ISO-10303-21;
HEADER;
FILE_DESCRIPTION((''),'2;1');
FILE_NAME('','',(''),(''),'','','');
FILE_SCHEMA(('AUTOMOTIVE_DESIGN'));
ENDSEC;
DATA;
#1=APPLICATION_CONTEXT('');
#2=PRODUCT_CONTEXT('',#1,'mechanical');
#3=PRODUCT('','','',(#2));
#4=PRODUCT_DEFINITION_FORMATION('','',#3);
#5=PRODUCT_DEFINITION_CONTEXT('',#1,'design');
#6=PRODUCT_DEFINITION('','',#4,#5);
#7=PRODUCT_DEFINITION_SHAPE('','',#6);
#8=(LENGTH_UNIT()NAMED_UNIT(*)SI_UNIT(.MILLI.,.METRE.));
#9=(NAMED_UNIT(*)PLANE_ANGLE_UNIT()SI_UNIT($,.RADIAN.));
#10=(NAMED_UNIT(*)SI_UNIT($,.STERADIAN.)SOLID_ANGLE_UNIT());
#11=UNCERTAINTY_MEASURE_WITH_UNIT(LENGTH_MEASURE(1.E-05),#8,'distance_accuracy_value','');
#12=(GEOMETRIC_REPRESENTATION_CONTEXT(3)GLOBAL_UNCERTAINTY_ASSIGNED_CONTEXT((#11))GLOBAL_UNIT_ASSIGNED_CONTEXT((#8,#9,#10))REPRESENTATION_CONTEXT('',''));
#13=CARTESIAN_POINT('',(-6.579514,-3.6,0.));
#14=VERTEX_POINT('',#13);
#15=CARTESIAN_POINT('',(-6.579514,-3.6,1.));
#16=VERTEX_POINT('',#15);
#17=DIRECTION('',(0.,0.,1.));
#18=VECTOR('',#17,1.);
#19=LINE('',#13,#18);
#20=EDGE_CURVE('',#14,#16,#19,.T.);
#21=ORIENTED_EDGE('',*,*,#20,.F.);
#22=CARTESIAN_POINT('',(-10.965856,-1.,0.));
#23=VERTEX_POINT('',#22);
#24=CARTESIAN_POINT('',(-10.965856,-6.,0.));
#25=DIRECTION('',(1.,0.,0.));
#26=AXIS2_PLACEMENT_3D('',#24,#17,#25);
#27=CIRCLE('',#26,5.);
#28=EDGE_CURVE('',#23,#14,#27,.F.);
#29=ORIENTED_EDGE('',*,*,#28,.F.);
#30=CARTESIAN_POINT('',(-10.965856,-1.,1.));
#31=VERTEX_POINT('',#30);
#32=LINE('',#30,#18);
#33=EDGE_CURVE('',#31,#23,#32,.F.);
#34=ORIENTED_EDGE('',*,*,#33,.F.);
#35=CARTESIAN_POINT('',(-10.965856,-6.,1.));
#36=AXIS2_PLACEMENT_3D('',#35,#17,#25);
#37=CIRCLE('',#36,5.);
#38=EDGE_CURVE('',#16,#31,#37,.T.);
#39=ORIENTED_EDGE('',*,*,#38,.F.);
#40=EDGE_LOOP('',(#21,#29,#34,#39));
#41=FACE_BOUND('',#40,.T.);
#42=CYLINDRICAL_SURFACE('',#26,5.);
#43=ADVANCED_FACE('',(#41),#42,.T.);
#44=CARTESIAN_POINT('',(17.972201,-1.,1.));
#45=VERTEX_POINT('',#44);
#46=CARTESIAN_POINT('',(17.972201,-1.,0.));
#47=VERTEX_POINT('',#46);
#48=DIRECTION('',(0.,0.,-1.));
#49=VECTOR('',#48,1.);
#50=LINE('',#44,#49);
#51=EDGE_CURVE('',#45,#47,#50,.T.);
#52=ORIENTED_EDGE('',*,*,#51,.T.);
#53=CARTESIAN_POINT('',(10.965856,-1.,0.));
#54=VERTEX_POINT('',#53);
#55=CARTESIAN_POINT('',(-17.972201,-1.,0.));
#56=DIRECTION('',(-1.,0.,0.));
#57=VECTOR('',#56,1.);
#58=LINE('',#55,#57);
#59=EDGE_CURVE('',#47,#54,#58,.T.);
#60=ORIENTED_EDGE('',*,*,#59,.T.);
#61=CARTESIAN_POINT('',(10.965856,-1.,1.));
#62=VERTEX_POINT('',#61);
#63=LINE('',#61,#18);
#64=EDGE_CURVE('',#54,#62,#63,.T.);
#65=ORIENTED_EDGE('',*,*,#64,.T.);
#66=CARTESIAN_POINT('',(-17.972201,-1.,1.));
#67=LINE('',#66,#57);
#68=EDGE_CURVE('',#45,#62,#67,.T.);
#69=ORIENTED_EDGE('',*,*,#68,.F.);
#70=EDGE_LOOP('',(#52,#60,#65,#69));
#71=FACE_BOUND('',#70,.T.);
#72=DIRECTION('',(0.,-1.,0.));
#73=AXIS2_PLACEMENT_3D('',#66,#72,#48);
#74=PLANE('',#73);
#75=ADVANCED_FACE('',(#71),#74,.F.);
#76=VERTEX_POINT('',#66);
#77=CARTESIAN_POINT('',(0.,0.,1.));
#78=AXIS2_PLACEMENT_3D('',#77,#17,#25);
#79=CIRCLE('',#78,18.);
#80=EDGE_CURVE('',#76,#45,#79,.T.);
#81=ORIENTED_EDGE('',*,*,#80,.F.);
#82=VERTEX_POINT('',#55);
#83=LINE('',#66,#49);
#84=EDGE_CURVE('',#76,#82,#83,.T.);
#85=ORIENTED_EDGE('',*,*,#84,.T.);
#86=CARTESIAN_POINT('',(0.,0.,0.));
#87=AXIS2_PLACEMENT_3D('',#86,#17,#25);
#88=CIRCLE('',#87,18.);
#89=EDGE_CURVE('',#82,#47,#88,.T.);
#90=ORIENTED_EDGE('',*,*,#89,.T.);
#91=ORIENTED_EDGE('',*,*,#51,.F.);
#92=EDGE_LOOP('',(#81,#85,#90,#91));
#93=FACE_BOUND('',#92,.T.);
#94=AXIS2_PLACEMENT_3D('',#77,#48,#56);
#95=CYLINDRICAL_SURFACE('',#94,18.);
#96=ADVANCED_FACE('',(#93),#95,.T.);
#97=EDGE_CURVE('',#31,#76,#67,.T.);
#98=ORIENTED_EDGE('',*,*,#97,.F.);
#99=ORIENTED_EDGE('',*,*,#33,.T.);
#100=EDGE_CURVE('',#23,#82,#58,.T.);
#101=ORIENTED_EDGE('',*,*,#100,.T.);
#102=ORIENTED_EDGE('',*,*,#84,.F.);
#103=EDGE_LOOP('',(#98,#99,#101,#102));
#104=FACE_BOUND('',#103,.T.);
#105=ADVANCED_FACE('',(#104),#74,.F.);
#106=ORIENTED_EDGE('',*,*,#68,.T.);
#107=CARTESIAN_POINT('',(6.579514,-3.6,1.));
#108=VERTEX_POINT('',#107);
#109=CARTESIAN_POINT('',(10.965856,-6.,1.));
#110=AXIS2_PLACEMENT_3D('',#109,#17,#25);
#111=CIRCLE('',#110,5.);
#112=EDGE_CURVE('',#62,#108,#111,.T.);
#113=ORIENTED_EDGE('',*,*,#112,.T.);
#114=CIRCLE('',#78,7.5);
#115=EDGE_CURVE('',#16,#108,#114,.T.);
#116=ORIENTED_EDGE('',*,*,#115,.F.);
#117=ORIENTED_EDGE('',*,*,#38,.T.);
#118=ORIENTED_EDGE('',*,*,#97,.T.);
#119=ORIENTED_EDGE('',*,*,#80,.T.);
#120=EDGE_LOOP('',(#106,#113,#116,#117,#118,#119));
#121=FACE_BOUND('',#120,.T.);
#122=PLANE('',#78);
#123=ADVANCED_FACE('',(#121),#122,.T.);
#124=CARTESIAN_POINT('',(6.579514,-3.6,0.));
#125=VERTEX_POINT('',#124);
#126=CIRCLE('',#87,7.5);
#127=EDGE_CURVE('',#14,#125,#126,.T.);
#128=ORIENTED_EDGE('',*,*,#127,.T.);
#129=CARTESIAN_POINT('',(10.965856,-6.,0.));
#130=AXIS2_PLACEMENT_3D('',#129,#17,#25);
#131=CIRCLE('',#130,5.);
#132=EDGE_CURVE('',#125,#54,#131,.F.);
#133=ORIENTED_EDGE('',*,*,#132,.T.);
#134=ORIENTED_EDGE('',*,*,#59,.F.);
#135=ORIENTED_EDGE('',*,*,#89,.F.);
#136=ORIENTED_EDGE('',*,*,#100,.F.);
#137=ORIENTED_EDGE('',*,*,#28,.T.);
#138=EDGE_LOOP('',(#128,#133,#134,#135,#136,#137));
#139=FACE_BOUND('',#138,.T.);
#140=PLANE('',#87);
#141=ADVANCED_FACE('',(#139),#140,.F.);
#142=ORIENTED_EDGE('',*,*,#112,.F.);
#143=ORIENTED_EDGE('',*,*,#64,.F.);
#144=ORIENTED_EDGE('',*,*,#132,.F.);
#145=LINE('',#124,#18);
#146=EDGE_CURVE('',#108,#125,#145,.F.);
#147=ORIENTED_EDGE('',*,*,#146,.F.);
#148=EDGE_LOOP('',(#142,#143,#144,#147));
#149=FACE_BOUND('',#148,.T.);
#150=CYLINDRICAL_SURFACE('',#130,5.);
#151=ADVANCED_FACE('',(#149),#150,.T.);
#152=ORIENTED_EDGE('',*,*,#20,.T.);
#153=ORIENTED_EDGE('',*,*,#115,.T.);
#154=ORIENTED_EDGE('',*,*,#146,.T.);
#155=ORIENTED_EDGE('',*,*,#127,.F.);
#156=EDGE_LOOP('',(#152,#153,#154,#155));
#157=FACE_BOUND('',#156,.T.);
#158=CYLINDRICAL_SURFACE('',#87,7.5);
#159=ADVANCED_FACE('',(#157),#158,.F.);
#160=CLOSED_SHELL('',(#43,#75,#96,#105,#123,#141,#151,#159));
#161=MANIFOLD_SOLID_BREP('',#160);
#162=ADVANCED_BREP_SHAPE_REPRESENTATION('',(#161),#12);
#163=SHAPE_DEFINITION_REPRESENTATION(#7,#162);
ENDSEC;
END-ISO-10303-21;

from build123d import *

# Parameters (mm, degrees)
BOSS_EXTRUDE1_DEPTH = 1
SKETCH2_R           = 7.5
CUT_EXTRUDE1_DEPTH  = 26.455844123
FILLET1_R           = 5


with BuildPart() as part:
    # Sketch1 → Boss-Extrude1 (new body)
    with BuildSketch(Plane.XY):
        with BuildLine():
            Line((-17.972200756, -1), (17.972200756, -1))
            ThreePointArc((17.972200756, -1), (0, -18), (-17.972200756, -1))
        make_face()
    extrude(amount=BOSS_EXTRUDE1_DEPTH)

    # Sketch2 → Cut-Extrude1 (cut, through all)
    with BuildSketch(Plane.XY.offset(1)):
        Circle(SKETCH2_R)
    extrude(amount=-CUT_EXTRUDE1_DEPTH, mode=Mode.SUBTRACT)

    # Fillet1
    fillet1_edges = [part.edges().sort_by_distance(p)[0] for p in [
        (7.433034374, -1, 0.5),
        (-7.433034374, -1, 0.5),
    ]]
    fillet(fillet1_edges, radius=FILLET1_R)


solid = part.part
